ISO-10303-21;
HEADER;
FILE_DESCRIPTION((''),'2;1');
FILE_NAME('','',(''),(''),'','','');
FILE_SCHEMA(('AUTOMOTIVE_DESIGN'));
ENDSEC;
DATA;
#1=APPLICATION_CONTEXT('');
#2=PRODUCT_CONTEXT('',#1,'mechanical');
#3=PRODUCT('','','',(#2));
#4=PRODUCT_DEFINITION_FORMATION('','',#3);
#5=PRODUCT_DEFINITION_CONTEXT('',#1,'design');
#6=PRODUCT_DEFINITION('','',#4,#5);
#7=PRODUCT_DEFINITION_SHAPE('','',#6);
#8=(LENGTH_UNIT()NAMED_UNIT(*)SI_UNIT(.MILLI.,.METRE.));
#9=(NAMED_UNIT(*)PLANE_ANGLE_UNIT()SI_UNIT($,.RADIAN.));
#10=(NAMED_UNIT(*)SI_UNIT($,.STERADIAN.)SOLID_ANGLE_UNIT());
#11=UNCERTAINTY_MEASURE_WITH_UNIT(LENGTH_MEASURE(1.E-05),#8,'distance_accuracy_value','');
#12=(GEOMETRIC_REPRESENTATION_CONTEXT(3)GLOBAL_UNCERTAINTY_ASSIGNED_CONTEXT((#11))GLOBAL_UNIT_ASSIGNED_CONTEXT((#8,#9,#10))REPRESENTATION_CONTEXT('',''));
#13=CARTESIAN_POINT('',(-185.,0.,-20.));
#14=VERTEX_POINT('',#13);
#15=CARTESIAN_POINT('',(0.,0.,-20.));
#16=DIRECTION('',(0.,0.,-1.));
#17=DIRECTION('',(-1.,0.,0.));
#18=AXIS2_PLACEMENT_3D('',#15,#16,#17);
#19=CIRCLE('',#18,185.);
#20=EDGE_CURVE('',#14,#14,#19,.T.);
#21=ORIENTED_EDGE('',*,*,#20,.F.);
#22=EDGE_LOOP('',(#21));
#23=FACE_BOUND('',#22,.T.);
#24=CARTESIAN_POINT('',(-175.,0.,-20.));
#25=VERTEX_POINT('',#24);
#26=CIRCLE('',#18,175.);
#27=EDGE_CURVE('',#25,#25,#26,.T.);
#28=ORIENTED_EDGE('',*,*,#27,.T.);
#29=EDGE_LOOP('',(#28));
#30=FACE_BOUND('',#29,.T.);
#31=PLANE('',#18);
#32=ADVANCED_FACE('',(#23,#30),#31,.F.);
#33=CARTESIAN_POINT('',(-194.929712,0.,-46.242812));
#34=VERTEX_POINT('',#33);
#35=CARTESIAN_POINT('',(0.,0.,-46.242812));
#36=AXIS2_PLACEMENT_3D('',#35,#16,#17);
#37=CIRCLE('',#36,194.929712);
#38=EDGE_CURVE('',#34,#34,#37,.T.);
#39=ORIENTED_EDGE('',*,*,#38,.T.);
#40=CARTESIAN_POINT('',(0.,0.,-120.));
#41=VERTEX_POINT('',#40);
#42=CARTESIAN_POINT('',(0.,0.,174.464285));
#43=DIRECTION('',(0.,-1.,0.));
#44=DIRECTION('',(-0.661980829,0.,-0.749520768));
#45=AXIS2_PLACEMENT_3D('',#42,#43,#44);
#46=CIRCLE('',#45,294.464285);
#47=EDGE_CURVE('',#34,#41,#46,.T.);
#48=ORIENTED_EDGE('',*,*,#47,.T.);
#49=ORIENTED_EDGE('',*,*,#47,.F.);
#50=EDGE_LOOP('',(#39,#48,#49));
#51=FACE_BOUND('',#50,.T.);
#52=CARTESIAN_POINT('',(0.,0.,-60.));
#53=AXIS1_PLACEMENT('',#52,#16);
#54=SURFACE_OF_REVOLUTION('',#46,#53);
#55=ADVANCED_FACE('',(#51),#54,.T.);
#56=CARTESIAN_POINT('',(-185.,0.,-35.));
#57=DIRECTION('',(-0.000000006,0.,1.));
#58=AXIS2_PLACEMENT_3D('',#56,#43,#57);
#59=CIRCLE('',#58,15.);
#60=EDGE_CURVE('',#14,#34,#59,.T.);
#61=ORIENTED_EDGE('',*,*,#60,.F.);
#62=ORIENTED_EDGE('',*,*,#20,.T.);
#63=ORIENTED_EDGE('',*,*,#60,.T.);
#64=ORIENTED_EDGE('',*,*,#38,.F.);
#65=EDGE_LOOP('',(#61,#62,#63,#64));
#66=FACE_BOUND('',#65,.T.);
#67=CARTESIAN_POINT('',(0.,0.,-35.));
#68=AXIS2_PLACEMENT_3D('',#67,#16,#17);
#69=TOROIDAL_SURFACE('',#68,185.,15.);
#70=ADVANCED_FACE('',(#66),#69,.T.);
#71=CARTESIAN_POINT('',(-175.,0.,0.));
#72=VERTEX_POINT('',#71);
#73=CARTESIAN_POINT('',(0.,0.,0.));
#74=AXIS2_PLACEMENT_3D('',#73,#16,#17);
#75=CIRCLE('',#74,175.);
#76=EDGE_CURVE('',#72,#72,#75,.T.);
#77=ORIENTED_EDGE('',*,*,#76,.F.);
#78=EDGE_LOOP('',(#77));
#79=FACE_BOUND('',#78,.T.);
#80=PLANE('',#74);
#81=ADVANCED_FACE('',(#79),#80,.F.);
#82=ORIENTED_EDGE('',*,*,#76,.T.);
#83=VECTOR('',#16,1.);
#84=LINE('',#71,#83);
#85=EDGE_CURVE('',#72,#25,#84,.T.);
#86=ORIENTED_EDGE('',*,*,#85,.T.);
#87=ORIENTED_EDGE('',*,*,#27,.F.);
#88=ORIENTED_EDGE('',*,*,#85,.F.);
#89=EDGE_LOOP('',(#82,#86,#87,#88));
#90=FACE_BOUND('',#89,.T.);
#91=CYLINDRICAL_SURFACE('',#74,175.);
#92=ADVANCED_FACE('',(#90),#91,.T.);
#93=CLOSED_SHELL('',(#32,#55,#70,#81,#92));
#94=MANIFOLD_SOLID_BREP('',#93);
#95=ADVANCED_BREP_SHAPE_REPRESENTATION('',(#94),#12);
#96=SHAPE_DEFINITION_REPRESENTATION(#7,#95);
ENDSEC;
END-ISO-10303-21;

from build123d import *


with BuildPart() as f2:
    # F1 (on Front) → F2 (revolve)
    with BuildSketch(Plane.XZ):
        with BuildLine():
            Line((0, -120), (0, 0))
            Line((0, 0), (-175, 0))
            Line((-175, 0), (-175, -20))
            Line((-175, -20), (-185, -20))
            ThreePointArc((-185, -20), (-199.029294, -29.691619), (-194.929712, -46.242812))
            ThreePointArc((-194.929712, -46.242812), (-104.208584, -100.944114), (0, -120))
        make_face()
    revolve(axis=Axis((0, 0, -60), (0, 0, -1)))


solid = f2.part
